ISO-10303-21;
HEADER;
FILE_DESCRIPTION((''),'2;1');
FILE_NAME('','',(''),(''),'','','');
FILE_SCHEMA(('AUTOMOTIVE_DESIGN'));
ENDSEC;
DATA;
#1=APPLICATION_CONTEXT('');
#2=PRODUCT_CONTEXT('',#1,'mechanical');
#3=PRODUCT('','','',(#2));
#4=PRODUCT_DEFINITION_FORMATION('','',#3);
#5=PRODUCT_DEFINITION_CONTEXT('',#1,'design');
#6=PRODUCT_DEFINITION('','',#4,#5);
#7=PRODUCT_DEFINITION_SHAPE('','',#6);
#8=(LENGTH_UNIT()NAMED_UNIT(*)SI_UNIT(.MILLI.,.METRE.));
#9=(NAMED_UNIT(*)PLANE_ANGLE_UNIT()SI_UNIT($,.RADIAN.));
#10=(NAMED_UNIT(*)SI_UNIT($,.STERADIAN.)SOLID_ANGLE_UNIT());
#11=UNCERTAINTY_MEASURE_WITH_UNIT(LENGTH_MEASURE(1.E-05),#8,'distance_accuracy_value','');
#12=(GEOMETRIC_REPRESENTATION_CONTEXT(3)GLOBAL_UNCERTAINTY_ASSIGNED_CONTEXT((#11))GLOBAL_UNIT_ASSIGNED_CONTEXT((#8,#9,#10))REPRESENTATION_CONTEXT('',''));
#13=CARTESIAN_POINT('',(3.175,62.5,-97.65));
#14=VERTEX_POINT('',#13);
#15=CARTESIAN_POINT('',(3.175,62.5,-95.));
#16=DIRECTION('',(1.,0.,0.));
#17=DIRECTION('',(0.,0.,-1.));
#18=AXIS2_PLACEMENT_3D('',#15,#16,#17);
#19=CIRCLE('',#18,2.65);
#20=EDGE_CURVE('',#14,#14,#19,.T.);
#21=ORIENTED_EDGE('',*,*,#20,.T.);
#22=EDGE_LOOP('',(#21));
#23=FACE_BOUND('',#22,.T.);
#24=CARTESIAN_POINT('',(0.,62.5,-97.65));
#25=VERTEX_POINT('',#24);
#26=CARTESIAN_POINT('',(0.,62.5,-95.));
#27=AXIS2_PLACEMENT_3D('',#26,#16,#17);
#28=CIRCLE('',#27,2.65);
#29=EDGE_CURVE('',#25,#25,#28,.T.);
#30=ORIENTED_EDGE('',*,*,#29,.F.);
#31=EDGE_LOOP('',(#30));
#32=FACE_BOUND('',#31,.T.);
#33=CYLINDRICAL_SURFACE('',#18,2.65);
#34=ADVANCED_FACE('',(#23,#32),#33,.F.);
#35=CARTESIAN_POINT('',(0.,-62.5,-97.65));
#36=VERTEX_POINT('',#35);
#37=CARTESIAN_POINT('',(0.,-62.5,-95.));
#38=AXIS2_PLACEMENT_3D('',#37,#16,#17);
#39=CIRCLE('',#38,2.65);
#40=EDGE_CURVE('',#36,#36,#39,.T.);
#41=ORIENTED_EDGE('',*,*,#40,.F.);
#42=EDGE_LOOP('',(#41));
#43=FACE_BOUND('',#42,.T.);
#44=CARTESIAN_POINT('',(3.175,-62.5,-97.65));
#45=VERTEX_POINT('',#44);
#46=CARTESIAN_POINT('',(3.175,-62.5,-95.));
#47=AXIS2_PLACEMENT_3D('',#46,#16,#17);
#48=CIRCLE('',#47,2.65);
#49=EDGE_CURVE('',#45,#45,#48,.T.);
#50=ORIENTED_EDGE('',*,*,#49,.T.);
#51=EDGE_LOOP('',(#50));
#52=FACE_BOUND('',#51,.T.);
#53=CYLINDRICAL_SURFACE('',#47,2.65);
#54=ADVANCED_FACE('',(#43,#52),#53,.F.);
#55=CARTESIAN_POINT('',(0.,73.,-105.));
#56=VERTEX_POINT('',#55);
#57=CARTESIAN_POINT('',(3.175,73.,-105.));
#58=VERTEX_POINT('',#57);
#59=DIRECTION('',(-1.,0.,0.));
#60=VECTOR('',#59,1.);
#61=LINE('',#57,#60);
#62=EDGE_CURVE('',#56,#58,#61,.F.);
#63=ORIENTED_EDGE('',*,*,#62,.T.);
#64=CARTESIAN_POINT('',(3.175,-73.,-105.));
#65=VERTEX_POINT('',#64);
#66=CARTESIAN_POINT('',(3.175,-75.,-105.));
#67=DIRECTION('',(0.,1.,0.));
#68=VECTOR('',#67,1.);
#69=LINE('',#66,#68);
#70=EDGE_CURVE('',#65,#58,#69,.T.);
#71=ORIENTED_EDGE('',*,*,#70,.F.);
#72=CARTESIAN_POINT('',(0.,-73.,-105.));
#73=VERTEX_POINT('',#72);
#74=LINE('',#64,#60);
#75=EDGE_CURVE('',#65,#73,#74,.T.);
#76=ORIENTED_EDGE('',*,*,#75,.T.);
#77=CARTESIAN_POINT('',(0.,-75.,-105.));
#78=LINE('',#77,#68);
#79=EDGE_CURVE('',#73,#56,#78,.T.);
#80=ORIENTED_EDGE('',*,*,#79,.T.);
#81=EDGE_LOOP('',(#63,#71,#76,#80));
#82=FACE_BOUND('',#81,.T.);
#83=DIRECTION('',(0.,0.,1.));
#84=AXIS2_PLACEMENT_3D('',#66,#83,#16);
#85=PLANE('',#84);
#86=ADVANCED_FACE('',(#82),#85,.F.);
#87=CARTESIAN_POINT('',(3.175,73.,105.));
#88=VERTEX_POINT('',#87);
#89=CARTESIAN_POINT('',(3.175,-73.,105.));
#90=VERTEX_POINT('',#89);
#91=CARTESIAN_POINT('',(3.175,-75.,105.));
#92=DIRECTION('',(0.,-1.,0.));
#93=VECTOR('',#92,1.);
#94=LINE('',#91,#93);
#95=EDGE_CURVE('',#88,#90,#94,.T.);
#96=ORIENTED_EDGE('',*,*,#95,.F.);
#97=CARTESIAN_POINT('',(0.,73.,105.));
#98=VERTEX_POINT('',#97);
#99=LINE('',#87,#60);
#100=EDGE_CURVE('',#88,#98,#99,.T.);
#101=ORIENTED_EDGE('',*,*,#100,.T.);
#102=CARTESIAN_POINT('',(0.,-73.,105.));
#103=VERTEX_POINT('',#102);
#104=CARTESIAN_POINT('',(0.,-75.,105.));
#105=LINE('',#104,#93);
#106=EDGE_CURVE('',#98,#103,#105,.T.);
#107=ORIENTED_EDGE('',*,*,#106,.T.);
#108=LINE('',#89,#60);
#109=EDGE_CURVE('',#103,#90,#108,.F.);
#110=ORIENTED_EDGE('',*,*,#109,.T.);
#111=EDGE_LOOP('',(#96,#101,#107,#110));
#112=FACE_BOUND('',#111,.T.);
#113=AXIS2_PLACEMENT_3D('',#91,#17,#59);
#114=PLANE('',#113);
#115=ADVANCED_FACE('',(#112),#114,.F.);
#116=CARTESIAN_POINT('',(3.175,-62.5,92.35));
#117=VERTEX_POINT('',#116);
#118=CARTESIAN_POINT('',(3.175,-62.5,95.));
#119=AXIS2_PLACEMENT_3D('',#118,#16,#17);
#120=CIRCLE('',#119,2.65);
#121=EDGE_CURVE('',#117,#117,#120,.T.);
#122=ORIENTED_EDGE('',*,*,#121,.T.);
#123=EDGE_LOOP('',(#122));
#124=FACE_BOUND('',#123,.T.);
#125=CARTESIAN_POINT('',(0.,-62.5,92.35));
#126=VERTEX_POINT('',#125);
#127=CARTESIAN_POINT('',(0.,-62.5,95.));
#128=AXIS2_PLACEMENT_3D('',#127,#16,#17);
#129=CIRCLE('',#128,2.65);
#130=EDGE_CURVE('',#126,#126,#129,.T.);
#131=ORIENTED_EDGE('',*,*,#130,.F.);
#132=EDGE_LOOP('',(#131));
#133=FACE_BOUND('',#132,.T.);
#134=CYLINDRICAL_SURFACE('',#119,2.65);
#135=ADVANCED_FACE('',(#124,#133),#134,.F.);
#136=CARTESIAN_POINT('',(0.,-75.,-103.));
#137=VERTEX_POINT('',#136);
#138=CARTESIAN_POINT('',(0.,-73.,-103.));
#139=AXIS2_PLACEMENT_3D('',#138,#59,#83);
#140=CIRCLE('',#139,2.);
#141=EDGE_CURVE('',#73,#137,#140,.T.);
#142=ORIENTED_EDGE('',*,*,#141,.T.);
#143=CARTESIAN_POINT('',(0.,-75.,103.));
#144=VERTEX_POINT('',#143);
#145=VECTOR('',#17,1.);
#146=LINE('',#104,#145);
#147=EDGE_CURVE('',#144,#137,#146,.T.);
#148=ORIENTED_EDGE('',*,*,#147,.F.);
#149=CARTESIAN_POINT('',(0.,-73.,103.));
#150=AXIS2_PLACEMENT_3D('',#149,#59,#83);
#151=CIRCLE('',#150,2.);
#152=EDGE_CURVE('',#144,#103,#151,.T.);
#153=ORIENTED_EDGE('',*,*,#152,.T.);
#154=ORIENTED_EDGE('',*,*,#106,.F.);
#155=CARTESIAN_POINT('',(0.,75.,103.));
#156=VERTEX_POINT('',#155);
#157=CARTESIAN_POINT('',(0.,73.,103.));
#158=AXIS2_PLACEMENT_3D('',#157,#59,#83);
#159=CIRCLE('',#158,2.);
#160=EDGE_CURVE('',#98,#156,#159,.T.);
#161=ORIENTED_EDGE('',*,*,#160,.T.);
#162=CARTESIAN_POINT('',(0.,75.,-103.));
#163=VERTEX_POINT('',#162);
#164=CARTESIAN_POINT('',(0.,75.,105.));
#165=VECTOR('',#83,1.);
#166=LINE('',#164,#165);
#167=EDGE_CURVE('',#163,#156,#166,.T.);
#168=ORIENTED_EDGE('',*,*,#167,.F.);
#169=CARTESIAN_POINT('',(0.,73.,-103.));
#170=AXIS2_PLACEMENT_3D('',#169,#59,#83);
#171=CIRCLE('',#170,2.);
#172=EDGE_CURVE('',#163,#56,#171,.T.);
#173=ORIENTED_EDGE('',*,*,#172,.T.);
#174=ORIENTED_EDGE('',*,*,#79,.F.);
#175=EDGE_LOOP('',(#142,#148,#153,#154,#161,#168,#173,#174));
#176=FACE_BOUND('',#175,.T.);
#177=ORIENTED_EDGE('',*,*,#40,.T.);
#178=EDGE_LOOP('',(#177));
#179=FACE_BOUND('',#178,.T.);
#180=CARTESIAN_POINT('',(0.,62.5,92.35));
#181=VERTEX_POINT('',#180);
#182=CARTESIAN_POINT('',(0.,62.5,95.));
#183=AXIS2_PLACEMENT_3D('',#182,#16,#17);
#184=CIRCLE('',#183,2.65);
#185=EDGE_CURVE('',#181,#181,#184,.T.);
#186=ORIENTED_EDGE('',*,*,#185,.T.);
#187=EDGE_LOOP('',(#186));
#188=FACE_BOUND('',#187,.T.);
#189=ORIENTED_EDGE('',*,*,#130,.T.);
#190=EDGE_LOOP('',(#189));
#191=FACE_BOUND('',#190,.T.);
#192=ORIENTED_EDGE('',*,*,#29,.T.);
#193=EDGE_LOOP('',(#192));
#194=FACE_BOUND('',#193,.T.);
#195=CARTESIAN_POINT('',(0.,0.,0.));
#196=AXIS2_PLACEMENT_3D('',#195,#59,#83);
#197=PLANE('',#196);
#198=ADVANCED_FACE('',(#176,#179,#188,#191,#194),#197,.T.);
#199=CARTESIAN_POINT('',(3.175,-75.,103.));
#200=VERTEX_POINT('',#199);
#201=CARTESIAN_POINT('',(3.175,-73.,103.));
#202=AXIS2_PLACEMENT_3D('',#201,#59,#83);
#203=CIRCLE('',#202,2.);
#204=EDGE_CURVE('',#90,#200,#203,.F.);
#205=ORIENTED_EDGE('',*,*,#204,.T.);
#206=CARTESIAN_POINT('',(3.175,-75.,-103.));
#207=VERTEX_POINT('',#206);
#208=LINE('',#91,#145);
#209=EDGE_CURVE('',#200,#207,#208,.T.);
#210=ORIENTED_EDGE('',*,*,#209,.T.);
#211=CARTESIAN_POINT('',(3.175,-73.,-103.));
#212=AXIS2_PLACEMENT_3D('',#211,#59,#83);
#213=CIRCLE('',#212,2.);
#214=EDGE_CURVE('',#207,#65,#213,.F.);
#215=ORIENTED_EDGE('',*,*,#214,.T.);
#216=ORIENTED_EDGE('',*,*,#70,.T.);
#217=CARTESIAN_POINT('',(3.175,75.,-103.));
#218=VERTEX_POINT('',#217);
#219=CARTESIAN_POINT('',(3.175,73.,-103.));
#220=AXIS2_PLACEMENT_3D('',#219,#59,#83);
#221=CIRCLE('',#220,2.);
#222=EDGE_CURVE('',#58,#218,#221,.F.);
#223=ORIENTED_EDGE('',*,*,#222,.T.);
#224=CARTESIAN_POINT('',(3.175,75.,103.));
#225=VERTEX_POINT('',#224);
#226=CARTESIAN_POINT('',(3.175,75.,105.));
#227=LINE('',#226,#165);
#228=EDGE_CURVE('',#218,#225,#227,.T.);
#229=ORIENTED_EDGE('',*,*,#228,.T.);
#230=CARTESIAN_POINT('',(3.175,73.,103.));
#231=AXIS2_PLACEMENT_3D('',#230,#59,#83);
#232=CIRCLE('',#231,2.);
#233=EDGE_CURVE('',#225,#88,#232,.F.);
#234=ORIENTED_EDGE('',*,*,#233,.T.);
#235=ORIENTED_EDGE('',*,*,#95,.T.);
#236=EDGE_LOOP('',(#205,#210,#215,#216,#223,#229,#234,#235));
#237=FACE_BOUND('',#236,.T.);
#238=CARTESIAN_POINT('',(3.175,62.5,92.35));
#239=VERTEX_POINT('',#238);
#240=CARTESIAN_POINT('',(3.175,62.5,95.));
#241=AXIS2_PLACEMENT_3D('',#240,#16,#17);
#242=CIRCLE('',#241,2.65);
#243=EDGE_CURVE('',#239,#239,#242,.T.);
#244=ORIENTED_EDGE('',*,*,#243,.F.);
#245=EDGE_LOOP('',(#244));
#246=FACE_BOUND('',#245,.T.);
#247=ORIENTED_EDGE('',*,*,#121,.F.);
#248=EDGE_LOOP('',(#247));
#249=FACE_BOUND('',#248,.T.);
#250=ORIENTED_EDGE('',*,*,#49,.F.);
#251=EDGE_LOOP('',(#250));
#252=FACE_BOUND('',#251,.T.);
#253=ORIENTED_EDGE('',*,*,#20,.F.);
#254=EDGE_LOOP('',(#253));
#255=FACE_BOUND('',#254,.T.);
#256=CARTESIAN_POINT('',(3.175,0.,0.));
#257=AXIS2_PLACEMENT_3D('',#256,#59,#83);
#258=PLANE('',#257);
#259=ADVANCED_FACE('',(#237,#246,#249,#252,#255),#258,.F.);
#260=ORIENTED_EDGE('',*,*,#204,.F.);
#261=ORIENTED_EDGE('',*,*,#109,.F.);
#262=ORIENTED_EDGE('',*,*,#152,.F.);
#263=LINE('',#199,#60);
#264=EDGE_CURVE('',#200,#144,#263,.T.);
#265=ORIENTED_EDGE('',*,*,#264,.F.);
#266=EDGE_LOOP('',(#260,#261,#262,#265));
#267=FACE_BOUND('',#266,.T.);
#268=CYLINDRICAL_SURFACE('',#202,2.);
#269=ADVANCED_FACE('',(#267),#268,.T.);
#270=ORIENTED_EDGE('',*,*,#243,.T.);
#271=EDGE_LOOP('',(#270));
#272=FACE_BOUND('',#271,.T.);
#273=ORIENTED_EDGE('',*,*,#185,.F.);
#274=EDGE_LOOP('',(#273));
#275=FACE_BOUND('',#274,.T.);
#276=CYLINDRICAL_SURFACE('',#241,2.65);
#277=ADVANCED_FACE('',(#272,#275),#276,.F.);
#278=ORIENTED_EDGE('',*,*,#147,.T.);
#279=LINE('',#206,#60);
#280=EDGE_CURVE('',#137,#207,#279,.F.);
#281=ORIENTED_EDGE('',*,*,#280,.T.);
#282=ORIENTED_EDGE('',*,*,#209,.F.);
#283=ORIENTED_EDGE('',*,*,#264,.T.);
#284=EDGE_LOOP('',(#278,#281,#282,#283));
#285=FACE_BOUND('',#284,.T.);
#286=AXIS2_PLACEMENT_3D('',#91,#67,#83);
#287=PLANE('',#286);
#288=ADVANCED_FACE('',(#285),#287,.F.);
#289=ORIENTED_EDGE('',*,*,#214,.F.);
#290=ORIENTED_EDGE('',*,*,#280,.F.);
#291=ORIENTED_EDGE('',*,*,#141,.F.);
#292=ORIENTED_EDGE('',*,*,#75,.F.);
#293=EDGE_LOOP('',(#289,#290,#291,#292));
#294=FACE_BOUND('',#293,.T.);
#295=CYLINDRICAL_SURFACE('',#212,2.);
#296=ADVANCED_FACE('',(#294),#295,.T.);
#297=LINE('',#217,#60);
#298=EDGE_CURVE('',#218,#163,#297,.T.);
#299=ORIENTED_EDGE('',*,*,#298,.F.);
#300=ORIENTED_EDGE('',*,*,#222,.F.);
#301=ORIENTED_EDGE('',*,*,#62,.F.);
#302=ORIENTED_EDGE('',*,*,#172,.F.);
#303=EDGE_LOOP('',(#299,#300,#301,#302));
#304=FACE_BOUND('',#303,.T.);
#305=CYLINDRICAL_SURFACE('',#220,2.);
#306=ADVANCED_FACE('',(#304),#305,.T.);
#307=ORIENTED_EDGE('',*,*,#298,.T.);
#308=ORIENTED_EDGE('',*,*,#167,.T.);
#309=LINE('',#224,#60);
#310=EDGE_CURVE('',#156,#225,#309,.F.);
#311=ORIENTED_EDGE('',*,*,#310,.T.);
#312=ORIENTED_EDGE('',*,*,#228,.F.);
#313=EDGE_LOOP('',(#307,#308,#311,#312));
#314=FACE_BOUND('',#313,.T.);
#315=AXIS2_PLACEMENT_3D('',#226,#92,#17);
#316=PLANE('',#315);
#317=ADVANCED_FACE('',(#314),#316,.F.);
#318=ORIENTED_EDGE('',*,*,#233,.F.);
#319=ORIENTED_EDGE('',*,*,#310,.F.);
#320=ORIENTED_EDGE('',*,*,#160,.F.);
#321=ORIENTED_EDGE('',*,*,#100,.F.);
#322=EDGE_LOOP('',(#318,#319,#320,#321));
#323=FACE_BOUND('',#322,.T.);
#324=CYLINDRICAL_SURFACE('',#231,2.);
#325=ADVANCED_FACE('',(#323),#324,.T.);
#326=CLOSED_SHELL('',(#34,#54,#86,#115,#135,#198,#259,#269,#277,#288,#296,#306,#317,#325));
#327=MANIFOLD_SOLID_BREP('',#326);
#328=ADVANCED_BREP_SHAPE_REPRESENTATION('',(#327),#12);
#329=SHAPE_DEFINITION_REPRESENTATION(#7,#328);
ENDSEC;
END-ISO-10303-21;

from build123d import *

# Parameters (mm, degrees)
SKETCH2_W            = 210
SKETCH2_H            = 150
BOSS_EXTRUDE1_DEPTH  = 3.175
M5_CLEARANCE_HOLE2_D = 5.3
FILLET2_R            = 2


with BuildPart() as part:
    # Sketch2 → Boss-Extrude1 (new body)
    with BuildSketch(Plane(origin=(0, 0, 0), x_dir=(0, 0, -1), z_dir=(1, 0, 0))):
        Rectangle(SKETCH2_W, SKETCH2_H)
    extrude(amount=BOSS_EXTRUDE1_DEPTH)

    # M5 Clearance Hole2 (through all)
    with Locations(Plane(origin=(3.175, 0, 0), x_dir=(0, 0, -1), z_dir=(1, 0, 0))):
        with Locations((-95, 62.5), (95, 62.5), (-95, -62.5), (95, -62.5)):
            Hole(M5_CLEARANCE_HOLE2_D / 2)

    # Fillet2
    fillet2_edges = [part.edges().sort_by_distance(p)[0] for p in [
        (1.5875, -75, -105),
        (1.5875, -75, 105),
        (1.5875, 75, 105),
        (1.5875, 75, -105),
    ]]
    fillet(fillet2_edges, radius=FILLET2_R)


solid = part.part
